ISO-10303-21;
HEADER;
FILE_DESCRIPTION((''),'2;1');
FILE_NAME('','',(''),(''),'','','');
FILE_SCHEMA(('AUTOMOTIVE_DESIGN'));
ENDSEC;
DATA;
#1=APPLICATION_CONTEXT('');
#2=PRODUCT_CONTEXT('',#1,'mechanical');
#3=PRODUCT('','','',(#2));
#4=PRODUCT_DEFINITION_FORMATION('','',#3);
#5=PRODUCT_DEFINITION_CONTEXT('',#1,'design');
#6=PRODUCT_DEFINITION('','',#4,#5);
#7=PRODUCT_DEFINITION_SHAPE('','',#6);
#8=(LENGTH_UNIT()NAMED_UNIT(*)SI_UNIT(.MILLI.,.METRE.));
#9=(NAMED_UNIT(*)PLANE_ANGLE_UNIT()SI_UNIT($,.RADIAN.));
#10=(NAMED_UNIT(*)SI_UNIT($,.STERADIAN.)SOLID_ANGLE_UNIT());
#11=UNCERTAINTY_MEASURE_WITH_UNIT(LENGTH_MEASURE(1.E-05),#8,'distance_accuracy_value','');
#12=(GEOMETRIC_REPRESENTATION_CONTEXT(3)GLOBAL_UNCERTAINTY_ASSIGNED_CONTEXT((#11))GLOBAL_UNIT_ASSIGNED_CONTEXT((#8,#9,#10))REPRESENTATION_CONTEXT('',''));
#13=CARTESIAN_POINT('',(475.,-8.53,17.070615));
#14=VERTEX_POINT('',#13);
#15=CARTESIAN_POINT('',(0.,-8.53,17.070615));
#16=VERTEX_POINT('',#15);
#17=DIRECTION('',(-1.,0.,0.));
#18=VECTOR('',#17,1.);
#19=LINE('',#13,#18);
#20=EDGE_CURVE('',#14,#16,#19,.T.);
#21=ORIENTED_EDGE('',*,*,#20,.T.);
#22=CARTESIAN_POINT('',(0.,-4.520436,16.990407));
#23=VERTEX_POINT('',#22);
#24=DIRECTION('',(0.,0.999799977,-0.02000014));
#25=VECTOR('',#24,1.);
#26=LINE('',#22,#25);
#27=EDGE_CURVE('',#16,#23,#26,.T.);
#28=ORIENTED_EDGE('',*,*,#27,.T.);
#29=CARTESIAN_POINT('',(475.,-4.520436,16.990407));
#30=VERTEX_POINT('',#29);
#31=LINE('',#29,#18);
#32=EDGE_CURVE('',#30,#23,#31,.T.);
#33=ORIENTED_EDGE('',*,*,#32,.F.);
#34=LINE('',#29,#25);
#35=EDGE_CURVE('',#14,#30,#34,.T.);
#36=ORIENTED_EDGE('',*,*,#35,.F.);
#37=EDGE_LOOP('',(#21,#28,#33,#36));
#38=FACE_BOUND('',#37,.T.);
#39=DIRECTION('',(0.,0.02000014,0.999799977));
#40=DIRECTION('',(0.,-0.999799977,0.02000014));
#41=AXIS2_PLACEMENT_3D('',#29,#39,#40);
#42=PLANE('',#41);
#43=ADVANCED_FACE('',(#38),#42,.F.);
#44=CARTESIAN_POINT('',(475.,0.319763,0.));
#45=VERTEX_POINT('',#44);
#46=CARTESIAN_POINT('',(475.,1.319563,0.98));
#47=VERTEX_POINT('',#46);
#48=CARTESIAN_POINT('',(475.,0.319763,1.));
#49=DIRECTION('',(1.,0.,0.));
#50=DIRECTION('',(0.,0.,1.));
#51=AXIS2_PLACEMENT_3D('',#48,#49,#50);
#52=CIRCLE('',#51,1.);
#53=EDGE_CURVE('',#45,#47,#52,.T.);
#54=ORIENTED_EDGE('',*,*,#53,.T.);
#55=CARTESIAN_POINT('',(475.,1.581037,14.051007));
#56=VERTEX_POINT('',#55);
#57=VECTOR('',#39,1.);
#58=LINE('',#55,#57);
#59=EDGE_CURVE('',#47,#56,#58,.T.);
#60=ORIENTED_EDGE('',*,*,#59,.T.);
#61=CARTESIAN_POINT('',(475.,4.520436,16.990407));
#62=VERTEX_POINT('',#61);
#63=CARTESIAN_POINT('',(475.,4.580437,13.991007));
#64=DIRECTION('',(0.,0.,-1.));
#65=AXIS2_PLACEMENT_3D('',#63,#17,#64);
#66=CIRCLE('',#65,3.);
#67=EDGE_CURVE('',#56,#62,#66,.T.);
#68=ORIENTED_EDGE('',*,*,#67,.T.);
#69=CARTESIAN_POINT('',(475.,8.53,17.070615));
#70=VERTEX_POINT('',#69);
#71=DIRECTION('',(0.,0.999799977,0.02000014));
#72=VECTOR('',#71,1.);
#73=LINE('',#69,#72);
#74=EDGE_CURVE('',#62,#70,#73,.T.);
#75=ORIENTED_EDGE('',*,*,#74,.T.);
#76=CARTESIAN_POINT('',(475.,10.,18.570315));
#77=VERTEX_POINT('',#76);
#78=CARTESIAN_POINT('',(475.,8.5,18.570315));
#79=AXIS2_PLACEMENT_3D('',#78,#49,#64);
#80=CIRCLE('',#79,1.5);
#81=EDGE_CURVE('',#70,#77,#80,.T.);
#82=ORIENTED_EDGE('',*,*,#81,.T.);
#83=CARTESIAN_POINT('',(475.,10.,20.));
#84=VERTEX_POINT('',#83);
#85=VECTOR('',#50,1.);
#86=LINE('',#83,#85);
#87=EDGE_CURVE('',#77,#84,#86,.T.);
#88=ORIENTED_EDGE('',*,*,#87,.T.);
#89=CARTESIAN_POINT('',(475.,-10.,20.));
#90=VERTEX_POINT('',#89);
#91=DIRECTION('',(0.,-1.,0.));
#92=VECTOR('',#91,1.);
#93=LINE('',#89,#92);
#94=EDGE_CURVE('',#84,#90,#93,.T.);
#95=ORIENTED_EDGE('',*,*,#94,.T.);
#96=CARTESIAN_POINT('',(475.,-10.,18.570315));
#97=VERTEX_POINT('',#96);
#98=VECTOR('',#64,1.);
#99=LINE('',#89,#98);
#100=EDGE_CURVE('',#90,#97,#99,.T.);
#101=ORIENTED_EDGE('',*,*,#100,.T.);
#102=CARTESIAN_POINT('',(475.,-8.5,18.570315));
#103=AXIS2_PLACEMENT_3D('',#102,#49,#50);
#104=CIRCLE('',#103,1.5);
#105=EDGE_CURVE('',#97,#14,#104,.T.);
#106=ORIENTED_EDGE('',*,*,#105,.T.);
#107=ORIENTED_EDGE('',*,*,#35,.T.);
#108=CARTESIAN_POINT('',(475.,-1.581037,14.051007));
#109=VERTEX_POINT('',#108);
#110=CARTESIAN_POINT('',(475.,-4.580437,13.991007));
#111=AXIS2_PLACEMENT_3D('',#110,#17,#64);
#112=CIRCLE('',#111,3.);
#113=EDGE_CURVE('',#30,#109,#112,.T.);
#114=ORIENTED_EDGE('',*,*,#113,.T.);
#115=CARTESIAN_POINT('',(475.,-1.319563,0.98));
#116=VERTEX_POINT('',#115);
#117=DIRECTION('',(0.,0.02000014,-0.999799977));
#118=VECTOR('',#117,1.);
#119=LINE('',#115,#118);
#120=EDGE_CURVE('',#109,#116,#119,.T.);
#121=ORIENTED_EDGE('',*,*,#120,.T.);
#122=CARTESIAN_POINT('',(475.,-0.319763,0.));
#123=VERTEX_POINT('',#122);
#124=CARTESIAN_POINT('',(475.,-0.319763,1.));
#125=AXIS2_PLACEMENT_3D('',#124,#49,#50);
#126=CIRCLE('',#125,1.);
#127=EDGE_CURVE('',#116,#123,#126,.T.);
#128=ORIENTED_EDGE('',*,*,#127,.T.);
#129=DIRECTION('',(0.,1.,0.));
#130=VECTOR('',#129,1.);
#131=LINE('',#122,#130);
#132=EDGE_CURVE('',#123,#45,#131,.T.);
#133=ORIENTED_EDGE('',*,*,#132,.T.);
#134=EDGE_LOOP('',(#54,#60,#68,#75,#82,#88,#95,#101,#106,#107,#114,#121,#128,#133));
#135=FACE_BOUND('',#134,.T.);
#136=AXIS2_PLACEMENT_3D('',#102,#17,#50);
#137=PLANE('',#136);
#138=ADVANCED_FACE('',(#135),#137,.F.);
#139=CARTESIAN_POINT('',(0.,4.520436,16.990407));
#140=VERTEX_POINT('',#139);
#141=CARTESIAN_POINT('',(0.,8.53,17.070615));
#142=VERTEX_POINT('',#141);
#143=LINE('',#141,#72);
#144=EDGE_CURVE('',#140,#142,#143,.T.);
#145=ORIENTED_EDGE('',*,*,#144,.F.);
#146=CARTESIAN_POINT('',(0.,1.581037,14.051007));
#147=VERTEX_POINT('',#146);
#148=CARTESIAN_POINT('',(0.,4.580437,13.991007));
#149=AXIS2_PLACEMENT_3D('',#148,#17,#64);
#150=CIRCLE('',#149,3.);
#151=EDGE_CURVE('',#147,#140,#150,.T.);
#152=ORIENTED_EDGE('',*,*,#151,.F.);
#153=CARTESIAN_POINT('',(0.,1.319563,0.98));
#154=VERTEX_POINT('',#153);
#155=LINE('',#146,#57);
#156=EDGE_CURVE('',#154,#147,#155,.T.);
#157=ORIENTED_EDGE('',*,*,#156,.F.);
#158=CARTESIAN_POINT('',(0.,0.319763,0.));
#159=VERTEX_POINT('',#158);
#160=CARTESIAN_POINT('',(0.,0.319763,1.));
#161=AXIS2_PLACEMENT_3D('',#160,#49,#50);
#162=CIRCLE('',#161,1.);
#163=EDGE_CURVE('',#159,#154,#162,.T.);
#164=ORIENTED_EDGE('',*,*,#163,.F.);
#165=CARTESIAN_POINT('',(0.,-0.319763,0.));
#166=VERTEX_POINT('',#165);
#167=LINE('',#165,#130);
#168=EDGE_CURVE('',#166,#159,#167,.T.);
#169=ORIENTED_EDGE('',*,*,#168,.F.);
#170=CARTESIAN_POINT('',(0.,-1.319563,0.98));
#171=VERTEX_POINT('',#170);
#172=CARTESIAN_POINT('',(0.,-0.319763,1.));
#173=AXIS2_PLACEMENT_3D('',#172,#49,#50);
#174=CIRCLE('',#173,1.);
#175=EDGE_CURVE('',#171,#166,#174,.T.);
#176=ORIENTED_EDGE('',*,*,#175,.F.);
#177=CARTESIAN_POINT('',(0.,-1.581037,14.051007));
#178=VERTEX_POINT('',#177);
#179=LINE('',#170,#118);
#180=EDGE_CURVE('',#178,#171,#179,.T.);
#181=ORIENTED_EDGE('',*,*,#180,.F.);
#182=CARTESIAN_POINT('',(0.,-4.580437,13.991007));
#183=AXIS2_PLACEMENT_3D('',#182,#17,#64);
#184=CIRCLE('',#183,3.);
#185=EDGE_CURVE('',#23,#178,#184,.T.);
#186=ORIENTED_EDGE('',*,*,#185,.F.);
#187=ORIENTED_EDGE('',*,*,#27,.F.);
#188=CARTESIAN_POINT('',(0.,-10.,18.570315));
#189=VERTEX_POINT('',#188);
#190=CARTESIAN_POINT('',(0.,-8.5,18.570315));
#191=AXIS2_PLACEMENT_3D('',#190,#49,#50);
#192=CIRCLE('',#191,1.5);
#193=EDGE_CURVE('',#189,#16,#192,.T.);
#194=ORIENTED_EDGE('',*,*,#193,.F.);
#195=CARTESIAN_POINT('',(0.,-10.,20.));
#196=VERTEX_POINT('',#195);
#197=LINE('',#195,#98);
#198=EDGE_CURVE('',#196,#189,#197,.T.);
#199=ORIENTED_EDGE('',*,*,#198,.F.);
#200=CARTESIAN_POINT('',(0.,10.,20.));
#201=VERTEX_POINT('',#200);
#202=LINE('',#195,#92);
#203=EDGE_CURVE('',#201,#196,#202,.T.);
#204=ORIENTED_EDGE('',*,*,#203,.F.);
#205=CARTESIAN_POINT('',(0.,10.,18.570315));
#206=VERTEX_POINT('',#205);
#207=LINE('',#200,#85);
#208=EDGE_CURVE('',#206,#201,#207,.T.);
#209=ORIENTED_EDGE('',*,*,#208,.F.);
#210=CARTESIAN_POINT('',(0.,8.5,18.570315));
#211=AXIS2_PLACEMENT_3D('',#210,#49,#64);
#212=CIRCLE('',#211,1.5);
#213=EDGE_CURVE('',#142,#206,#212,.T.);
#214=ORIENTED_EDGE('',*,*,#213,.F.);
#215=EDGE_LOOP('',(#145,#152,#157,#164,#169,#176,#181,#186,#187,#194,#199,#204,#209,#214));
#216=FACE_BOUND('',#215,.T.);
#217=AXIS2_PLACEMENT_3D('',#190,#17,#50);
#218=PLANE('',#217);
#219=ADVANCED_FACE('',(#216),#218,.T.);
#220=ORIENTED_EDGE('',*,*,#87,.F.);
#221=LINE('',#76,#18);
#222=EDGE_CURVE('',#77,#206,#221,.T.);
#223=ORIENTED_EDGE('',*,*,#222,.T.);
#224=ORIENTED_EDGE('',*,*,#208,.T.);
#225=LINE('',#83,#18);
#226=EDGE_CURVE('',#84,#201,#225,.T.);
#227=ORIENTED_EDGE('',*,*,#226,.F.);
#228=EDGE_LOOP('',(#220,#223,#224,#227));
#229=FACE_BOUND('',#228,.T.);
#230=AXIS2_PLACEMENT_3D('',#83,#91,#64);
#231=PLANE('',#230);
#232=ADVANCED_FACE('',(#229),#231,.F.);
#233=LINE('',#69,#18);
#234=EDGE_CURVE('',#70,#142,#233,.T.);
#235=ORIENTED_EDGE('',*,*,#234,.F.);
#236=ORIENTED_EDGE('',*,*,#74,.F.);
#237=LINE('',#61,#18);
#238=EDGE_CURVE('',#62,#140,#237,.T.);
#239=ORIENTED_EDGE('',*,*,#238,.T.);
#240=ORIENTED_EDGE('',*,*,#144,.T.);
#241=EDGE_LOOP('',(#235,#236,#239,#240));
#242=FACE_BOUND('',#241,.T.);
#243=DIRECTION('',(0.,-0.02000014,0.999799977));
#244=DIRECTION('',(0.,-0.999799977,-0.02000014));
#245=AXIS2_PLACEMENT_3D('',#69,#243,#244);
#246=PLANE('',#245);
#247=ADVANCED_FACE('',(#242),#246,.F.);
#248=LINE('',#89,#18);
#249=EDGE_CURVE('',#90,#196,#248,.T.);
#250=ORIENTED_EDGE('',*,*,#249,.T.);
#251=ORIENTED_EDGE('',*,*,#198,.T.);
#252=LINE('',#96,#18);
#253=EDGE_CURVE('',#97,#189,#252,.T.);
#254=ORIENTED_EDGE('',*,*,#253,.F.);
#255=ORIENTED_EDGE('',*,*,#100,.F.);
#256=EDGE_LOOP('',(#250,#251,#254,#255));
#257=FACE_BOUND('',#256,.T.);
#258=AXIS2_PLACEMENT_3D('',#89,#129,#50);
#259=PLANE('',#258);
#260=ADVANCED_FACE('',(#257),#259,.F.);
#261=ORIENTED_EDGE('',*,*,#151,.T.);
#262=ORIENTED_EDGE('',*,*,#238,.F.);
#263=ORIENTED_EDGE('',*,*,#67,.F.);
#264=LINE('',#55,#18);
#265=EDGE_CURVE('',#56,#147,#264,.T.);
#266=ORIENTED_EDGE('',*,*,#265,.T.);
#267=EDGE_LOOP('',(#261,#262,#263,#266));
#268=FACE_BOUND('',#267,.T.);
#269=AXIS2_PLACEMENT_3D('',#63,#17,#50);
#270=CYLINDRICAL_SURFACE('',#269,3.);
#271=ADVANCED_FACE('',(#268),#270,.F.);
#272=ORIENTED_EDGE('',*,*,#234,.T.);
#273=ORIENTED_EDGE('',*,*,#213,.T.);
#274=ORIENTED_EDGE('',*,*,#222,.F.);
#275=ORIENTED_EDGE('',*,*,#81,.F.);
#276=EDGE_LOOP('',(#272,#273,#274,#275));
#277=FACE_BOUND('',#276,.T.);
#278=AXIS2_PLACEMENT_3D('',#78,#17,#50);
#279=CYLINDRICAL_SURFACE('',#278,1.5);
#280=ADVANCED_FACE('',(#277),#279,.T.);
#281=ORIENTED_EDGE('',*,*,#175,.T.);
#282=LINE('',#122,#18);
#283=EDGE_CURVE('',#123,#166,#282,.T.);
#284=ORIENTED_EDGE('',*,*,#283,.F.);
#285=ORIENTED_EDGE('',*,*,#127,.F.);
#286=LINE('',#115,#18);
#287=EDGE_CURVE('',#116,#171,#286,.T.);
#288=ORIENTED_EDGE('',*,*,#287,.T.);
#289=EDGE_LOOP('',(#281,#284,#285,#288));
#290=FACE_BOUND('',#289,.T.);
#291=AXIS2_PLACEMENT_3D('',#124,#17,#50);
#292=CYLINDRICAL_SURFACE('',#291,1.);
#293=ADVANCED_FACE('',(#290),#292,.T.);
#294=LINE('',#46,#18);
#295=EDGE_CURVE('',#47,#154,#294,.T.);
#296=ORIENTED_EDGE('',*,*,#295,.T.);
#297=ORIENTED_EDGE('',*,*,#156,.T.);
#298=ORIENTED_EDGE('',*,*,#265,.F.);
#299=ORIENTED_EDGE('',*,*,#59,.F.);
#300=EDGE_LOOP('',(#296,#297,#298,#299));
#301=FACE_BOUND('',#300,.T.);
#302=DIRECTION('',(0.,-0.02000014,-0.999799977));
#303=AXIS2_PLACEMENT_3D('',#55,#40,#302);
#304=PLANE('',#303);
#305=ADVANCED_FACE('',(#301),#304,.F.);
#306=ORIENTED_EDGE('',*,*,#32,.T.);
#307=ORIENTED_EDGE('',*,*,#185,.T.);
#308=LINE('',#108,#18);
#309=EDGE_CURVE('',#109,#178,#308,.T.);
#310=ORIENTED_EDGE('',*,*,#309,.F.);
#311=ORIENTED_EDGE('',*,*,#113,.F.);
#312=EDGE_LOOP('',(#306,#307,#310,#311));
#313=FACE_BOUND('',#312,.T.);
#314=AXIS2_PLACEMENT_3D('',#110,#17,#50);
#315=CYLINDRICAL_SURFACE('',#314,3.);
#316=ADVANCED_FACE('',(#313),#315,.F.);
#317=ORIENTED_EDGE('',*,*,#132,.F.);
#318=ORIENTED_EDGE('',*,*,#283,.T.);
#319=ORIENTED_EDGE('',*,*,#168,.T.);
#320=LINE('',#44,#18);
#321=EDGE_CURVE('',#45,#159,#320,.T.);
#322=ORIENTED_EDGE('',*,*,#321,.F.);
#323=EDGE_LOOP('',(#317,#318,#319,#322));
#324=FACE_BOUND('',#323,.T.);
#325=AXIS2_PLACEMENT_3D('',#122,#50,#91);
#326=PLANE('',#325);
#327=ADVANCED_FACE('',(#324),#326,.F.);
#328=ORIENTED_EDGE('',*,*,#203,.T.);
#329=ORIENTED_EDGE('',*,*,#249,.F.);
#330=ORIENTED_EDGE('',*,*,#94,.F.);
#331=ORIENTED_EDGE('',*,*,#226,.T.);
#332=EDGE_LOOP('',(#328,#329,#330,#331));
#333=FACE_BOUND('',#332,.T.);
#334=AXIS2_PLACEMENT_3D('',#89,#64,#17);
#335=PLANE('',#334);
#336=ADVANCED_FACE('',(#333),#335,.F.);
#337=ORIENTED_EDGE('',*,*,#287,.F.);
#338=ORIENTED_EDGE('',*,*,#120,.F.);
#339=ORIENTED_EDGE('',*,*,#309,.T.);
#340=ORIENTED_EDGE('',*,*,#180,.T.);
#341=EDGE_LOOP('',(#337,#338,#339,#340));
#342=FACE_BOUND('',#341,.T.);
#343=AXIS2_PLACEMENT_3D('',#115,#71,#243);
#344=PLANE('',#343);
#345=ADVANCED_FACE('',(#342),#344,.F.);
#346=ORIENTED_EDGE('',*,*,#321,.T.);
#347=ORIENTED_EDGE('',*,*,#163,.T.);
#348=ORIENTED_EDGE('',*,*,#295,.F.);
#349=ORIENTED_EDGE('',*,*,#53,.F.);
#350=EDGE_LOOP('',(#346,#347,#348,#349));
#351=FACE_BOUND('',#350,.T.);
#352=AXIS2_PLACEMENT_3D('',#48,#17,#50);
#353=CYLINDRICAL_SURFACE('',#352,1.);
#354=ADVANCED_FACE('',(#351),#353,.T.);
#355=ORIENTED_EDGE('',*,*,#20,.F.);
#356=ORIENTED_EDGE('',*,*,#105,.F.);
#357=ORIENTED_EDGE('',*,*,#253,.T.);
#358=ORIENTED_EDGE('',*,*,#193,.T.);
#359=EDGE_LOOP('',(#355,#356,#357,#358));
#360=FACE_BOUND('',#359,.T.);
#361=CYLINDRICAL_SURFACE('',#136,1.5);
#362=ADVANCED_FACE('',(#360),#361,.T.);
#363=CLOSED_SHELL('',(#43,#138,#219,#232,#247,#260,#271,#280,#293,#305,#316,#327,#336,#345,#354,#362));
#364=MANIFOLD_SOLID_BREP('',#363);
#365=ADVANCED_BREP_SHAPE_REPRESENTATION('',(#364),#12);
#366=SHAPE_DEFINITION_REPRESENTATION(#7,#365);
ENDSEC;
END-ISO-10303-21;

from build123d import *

# Parameters (mm, degrees)
T_SECTION_T_20_X_20_1_DEPTH = 475


with BuildPart() as part:
    # Sketch12 → T section T 20 X 20(1) (new body)
    with BuildSketch(Plane.YZ):
        with BuildLine():
            Line((-10, 20), (10, 20))
            Line((10, 20), (10, 18.570314587))
            ThreePointArc((10, 18.570314587), (9.571214338, 17.520314662), (8.530000209, 17.070614622))
            Line((8.530000209, 17.070614622), (4.520436432, 16.990406743))
            ThreePointArc((4.520436432, 16.990406743), (2.459116507, 16.112327155), (1.581036919, 14.05100723))
            Line((1.581036919, 14.05100723), (1.319562646, 0.97999986))
            ThreePointArc((1.319562646, 0.97999986), (1.019762619, 0.285857108), (0.319762669, 0))
            Line((0.319762669, 0), (-0.319762669, 0))
            ThreePointArc((-0.319762669, 0), (-1.019762619, 0.285857108), (-1.319562646, 0.97999986))
            Line((-1.319562646, 0.97999986), (-1.581036919, 14.05100723))
            ThreePointArc((-1.581036919, 14.05100723), (-2.459116507, 16.112327155), (-4.520436432, 16.990406743))
            Line((-4.520436432, 16.990406743), (-8.530000209, 17.070614622))
            ThreePointArc((-8.530000209, 17.070614622), (-9.571214338, 17.520314662), (-10, 18.570314587))
            Line((-10, 18.570314587), (-10, 20))
        make_face()
    extrude(amount=T_SECTION_T_20_X_20_1_DEPTH)


solid = part.part
